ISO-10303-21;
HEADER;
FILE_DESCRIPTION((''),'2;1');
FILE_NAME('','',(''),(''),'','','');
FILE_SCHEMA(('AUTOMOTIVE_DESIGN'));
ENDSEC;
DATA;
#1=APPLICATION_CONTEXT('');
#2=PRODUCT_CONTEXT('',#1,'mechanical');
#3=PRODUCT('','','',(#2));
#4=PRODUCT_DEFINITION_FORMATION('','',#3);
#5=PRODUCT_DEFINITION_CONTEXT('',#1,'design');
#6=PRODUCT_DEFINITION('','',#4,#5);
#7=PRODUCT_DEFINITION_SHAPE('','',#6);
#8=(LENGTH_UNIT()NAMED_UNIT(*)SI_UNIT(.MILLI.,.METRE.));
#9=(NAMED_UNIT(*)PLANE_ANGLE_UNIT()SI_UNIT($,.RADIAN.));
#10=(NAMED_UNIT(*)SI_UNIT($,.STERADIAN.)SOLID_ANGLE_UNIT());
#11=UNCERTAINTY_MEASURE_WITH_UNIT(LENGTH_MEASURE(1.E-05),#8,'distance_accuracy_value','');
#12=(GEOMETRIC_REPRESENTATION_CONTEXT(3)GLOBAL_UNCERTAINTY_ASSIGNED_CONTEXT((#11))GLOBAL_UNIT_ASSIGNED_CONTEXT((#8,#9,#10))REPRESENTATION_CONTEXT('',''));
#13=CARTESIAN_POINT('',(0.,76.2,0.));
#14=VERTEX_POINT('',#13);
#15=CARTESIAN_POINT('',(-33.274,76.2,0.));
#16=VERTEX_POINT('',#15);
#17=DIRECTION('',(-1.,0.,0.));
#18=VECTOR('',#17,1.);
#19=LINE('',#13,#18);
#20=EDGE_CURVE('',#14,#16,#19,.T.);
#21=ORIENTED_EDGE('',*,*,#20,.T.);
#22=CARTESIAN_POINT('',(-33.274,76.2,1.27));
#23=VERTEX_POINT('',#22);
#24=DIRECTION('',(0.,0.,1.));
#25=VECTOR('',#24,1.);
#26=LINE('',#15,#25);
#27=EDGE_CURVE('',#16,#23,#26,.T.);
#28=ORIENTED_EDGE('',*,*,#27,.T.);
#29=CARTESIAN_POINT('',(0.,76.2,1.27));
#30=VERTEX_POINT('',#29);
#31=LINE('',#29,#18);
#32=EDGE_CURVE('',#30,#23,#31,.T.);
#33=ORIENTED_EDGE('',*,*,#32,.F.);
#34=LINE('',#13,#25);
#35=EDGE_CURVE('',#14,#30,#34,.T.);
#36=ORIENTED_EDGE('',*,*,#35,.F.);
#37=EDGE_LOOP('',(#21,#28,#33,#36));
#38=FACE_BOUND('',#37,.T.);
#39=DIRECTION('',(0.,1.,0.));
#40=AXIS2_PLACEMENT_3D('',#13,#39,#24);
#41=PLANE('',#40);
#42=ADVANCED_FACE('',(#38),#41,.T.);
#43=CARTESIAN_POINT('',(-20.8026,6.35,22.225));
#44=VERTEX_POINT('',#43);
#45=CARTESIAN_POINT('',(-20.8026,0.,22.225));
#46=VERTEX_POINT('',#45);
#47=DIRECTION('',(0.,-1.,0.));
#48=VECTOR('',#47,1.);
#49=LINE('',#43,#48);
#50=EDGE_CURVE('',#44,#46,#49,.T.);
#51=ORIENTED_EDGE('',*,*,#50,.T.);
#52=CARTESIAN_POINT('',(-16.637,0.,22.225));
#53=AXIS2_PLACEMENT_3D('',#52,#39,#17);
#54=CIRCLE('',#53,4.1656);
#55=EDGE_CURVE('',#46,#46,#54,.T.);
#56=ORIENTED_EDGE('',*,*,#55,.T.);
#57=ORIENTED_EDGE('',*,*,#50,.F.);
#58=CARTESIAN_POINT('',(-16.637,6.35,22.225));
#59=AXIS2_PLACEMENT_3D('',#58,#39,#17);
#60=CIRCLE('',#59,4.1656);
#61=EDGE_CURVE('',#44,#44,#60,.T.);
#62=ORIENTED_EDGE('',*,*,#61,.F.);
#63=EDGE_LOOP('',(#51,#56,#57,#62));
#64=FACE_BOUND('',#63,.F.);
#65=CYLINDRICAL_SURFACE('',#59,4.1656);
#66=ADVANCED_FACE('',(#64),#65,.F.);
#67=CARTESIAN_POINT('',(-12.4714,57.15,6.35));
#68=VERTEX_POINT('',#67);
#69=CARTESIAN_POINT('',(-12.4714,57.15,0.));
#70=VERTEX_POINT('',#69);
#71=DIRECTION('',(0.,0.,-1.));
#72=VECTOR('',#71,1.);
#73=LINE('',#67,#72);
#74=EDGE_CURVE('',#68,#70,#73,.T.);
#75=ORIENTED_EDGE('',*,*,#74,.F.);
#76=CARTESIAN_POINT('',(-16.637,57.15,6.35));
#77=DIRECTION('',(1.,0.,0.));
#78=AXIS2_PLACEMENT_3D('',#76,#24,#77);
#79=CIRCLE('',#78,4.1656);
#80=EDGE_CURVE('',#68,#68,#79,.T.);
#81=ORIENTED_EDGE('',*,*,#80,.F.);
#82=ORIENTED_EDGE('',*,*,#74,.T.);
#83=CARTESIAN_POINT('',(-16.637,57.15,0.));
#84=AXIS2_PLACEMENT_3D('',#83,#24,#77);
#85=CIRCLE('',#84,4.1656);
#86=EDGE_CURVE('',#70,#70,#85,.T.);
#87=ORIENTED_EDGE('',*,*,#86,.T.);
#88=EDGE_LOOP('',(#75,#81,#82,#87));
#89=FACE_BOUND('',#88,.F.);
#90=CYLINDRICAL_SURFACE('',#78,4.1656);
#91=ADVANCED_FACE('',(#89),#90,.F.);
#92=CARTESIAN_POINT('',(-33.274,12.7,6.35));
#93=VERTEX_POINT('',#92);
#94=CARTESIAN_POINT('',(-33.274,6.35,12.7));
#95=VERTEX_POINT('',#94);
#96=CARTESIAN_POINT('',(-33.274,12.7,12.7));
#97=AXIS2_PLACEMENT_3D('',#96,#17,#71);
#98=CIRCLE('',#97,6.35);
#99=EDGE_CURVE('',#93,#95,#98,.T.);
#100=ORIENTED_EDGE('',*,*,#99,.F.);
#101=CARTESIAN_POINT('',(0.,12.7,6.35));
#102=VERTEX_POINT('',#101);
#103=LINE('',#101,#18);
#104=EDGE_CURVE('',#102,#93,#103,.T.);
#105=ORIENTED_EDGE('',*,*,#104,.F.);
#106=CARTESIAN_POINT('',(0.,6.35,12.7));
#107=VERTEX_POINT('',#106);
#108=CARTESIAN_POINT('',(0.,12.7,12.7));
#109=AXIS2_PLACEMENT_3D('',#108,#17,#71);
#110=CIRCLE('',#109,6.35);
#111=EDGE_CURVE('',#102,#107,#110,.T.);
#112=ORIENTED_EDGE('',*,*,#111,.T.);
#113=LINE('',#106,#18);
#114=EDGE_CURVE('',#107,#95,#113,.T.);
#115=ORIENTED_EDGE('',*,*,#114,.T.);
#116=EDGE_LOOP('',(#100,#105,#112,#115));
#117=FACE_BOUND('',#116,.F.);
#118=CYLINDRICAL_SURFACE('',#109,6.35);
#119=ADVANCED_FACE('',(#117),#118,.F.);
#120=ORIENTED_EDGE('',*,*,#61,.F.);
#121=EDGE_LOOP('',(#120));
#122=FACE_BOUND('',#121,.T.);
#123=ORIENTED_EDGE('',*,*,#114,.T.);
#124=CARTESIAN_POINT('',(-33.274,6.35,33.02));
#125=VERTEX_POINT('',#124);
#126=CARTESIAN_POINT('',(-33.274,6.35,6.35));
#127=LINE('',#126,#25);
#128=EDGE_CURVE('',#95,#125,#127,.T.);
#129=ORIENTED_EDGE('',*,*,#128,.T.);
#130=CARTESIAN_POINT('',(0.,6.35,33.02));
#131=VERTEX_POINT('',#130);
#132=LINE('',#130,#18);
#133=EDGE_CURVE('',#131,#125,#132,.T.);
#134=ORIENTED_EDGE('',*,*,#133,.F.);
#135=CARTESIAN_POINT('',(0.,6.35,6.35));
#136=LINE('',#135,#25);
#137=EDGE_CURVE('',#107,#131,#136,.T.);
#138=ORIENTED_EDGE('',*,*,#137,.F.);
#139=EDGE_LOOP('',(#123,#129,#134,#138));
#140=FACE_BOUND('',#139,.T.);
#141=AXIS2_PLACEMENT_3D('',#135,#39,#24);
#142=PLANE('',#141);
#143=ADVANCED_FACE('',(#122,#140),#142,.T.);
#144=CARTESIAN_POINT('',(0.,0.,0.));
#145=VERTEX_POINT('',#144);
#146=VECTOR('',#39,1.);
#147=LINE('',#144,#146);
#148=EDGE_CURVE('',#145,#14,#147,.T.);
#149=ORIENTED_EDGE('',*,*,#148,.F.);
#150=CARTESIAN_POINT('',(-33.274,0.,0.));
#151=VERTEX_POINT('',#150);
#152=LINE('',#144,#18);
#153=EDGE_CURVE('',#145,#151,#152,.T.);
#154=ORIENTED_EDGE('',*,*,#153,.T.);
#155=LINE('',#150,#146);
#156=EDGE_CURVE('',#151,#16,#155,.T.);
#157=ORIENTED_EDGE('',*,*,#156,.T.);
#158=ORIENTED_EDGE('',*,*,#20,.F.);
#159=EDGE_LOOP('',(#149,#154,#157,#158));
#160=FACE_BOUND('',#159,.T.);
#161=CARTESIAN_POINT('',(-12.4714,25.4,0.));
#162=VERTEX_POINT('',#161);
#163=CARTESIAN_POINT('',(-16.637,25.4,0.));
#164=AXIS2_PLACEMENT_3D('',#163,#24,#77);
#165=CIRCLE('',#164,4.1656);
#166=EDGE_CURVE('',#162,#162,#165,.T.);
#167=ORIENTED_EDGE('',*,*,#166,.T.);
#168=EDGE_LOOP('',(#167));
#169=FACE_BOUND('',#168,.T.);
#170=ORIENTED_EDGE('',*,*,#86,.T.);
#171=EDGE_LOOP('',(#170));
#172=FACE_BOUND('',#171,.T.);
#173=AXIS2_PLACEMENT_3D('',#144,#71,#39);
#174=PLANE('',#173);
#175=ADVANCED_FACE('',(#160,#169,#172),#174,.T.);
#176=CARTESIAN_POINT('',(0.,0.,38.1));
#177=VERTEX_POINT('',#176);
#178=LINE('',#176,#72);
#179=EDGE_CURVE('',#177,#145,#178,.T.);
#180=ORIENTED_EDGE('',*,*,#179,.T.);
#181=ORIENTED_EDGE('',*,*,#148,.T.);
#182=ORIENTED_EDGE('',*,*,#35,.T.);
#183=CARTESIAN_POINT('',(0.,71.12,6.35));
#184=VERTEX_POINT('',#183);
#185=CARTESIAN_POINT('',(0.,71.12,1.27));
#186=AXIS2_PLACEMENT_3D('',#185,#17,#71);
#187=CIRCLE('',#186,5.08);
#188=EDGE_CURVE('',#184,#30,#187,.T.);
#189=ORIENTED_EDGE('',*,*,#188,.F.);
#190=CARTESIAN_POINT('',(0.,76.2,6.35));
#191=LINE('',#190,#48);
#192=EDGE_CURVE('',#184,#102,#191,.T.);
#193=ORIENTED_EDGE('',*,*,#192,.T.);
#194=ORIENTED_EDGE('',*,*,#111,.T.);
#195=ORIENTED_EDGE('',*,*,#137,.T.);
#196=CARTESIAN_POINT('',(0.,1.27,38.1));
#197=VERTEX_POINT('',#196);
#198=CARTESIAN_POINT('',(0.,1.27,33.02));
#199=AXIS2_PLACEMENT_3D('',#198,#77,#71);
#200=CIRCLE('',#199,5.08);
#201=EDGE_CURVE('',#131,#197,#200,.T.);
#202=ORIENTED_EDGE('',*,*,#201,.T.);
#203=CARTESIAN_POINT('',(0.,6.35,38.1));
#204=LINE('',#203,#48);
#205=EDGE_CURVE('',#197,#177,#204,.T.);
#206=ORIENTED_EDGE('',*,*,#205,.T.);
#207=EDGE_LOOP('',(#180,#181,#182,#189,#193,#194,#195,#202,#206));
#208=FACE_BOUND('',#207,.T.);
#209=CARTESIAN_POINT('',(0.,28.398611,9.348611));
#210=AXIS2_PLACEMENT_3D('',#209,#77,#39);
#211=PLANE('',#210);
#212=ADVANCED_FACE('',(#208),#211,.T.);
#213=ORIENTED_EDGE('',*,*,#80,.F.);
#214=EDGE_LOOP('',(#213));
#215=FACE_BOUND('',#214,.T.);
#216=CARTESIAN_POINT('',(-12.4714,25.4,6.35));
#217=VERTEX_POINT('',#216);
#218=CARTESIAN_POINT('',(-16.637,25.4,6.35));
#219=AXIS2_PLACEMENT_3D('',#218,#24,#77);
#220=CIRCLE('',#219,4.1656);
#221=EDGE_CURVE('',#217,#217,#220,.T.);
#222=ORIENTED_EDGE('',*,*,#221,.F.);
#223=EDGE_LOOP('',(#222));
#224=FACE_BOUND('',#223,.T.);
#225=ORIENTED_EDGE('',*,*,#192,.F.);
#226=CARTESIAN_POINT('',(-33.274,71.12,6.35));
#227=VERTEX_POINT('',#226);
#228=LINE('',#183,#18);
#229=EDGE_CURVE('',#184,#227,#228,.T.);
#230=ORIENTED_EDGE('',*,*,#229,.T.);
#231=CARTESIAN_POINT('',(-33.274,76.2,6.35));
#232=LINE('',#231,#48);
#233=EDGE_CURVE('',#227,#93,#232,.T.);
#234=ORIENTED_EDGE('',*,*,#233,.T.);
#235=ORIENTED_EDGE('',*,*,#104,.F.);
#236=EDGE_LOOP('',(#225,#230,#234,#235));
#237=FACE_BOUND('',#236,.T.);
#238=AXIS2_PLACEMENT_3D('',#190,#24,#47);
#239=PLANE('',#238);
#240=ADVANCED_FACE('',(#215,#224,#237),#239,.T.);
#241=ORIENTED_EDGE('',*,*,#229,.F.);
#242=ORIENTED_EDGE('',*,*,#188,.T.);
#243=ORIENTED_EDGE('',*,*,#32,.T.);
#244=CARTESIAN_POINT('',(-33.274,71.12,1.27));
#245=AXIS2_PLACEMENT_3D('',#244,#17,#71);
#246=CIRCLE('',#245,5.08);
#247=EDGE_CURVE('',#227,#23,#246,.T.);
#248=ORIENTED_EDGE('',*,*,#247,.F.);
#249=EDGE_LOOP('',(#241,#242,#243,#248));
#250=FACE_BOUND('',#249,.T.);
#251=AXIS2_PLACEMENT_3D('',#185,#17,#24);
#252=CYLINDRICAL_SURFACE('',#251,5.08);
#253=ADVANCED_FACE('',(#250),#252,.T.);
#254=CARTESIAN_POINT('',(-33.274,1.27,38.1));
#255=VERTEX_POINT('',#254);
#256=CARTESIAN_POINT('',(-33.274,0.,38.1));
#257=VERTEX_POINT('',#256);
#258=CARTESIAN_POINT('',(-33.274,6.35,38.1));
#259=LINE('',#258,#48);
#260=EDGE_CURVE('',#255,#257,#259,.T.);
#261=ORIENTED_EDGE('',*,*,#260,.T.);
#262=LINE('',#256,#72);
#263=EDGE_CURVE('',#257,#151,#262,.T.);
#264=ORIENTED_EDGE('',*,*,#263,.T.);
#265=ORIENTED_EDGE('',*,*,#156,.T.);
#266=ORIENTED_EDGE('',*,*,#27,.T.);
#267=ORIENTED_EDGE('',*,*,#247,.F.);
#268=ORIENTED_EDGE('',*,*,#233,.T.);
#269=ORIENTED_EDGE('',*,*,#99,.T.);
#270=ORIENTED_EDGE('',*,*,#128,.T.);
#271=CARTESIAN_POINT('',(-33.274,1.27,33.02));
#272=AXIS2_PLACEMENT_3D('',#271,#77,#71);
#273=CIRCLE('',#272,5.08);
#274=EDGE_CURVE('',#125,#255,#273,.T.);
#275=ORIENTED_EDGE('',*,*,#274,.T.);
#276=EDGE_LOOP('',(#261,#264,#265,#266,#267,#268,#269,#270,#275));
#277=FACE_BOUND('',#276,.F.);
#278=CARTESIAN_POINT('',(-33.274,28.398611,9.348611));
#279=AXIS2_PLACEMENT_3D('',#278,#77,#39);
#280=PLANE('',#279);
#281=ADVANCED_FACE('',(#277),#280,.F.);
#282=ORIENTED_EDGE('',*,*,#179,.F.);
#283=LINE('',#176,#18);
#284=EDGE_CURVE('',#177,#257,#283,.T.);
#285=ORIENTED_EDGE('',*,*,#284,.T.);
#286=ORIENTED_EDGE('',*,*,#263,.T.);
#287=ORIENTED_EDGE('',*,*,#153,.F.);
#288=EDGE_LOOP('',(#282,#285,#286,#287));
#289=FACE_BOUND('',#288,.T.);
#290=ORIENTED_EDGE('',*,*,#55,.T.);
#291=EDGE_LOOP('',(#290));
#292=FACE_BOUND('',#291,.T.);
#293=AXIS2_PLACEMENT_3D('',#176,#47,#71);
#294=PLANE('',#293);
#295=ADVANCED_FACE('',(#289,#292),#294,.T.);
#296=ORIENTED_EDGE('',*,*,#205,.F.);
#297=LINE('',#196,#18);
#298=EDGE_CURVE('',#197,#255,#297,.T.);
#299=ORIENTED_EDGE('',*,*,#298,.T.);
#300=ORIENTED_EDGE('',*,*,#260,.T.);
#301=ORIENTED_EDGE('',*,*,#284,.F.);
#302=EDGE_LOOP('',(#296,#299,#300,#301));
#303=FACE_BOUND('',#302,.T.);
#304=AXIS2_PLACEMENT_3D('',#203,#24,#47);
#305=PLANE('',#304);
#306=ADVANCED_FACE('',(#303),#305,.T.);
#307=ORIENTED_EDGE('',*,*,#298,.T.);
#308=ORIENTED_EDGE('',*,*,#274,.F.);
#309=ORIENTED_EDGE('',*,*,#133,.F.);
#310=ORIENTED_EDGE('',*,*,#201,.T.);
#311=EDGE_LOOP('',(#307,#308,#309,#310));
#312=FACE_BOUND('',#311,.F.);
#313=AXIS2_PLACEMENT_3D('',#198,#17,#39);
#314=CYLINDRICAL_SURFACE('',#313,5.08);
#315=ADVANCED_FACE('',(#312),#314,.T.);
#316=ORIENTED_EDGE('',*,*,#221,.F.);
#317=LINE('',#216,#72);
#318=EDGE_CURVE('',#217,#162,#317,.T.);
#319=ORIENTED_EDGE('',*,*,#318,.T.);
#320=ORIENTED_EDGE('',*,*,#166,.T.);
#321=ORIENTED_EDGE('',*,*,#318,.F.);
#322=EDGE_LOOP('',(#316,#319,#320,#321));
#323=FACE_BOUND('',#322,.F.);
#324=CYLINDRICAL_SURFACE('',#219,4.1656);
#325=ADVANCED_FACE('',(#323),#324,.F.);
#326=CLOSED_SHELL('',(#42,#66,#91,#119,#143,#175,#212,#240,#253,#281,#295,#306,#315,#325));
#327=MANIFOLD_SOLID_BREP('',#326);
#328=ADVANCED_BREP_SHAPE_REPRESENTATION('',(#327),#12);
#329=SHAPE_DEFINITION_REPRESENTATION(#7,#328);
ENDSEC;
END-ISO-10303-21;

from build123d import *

# Parameters (mm, degrees)
F1_DEPTH = 33.274
F2_R     = 6.35
F3_R     = 5.08
F4_R     = 4.1656
F5_DEPTH = 6.351
F6_R     = 4.1656
F7_DEPTH = 6.351


with BuildPart() as f1:
    # F0 (on Right) → F1 (new body)
    with BuildSketch(Plane.YZ):
        Polygon((0, 38.1), (0, 0), (76.2, 0), (76.2, 6.35), (6.35, 6.35), (6.35, 38.1), align=None)
    extrude(amount=-F1_DEPTH)

    # F2
    f2_edges = [f1.edges().sort_by_distance(p)[0] for p in [
        (-16.637, 6.35, 6.35),
    ]]
    fillet(f2_edges, radius=F2_R)

    # F3
    f3_edges = [f1.edges().sort_by_distance(p)[0] for p in [
        (-16.637, 6.35, 38.1),
        (-16.637, 76.2, 6.35),
    ]]
    fillet(f3_edges, radius=F3_R)

    # F4 (on face) → F5 (cut, through all)
    with BuildSketch(Plane(origin=(0, 6.35, 0), x_dir=(-1, 0, 0), z_dir=(0, 1, 0))):
        with Locations((16.637, 22.225)):
            Circle(F4_R)
    extrude(amount=-F5_DEPTH, mode=Mode.SUBTRACT)

    # F6 (on face) → F7 (cut, through all)
    with BuildSketch(Plane.XY.offset(6.35)):
        with Locations((-16.637, 25.4)):
            Circle(F6_R)
        with Locations((-16.637, 57.15)):
            Circle(F6_R)
    extrude(amount=-F7_DEPTH, mode=Mode.SUBTRACT)


solid = f1.part
